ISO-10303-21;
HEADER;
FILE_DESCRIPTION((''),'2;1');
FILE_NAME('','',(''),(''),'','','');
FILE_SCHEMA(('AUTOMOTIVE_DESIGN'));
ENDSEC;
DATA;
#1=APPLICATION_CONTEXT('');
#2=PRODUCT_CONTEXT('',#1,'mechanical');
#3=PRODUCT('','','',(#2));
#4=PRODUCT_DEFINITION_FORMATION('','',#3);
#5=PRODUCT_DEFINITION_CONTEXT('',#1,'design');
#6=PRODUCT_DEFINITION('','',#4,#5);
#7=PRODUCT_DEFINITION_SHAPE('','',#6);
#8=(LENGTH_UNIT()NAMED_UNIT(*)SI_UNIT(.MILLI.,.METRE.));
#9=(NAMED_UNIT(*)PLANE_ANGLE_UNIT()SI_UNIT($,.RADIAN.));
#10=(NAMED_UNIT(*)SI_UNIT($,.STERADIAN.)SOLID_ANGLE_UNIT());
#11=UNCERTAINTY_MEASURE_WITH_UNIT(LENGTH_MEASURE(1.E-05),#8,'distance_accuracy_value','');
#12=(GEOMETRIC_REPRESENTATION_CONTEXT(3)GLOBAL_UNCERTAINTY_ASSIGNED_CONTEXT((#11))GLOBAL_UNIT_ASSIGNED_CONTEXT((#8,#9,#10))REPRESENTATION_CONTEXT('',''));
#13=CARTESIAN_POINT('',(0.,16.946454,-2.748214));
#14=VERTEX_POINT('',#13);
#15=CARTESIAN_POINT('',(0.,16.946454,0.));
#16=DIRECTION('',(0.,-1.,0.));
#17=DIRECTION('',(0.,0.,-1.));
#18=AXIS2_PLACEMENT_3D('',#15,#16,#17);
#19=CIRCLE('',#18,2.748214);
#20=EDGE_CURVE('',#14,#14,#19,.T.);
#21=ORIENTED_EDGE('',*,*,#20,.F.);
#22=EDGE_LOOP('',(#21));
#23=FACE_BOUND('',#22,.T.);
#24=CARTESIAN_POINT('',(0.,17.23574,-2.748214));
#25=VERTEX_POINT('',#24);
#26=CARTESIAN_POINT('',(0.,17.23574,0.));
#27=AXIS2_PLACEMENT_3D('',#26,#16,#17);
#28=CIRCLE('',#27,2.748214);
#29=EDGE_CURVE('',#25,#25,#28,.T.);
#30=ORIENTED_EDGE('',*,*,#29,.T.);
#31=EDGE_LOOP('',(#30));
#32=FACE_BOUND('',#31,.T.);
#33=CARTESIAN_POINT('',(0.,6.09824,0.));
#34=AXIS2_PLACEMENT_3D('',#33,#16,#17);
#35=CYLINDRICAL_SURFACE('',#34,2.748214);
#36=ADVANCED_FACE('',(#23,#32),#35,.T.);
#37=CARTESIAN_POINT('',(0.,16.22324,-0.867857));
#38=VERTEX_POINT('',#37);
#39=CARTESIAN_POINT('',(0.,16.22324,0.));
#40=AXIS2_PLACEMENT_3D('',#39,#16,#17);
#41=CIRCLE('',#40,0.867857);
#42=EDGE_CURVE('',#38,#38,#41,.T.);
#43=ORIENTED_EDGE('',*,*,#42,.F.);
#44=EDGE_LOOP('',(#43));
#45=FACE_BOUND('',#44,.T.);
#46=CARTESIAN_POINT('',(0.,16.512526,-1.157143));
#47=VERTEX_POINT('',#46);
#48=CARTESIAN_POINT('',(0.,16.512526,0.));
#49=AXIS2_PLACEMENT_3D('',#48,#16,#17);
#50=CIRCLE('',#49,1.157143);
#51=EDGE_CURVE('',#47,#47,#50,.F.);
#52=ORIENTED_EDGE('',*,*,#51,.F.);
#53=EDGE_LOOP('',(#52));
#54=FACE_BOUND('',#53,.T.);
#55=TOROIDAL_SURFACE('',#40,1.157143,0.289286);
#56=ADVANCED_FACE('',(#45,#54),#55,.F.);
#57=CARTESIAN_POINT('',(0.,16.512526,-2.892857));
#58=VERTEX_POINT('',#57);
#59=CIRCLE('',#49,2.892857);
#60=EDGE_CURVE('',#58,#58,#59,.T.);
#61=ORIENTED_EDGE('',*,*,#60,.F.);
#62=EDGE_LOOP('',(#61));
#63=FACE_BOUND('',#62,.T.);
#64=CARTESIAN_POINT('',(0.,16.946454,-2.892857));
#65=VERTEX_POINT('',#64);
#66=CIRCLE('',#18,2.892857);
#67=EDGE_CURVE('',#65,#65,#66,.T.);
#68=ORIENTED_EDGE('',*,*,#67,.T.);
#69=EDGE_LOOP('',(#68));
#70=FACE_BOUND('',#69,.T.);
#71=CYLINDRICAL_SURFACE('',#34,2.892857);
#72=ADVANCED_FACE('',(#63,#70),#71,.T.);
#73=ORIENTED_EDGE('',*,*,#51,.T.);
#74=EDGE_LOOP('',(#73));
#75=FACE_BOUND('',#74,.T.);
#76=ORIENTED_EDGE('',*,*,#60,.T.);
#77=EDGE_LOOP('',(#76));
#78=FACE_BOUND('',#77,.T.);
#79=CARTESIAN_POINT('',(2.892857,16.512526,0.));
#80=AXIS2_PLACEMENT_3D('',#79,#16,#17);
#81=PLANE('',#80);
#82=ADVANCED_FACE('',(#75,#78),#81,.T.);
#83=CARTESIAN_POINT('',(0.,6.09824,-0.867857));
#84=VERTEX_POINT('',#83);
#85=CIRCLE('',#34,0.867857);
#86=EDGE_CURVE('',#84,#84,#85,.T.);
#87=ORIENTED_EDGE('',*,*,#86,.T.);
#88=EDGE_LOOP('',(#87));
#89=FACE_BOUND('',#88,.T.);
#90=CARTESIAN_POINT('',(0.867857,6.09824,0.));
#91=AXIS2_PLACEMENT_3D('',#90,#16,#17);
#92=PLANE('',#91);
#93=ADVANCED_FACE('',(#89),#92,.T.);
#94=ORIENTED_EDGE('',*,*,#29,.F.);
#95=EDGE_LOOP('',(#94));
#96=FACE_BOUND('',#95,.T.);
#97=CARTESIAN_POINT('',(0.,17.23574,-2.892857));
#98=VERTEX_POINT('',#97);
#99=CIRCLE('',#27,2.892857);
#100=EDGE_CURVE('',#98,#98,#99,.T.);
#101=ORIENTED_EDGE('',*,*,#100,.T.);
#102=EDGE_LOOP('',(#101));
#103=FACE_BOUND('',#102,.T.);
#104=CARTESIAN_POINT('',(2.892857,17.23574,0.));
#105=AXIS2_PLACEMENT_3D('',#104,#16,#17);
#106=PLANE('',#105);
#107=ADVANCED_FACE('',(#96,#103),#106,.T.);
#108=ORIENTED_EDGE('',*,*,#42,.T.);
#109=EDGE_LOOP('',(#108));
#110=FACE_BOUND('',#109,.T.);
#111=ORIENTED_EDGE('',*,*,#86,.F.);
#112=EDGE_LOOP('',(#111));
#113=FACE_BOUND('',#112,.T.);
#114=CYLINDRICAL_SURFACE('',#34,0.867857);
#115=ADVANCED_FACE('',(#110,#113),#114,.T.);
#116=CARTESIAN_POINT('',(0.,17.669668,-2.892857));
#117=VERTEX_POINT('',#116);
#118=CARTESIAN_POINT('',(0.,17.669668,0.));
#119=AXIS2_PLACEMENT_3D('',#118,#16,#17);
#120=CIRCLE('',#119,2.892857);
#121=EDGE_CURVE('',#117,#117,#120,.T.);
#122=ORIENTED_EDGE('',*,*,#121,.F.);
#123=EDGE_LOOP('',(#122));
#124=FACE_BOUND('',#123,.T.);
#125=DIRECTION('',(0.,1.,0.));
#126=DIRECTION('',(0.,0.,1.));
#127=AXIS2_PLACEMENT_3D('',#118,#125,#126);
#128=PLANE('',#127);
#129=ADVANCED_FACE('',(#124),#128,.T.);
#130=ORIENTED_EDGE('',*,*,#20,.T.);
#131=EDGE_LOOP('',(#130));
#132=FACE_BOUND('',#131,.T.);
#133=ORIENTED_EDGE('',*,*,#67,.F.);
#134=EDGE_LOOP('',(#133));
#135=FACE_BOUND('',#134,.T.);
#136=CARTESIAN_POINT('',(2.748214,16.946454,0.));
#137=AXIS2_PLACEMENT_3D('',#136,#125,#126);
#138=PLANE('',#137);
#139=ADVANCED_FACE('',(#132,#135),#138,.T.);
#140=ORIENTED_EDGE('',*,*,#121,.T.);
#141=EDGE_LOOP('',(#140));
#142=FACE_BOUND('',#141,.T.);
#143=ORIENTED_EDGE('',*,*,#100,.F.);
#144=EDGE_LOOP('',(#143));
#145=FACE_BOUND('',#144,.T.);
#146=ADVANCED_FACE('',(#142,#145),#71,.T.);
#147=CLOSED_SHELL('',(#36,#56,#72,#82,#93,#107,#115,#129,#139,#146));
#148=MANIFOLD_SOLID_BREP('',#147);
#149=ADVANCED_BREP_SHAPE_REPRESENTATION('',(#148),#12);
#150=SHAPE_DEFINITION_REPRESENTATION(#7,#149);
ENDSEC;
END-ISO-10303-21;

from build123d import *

# Parameters (mm, degrees)
CONG_1_R       = 0.5
ECHELLE1_SCALE = 0.578571429


with BuildPart() as part:
    # Esquisse1 → Révolution1 (revolve)
    with BuildSketch(Plane.XY, mode=Mode.PRIVATE) as r_volution1_sk:
        Polygon((0, 20), (5, 20), (5, 19.25), (4.75, 19.25), (4.75, 18.75), (5, 18.75), (5, 18), (1.5, 18), (1.5, 0), (0, 0), align=None)
    revolve(r_volution1_sk.sketch.rotate(Axis((0, 0, 0), (0, 1, 0)), 90), axis=Axis((0, 0, 0), (0, 1, 0)))

    # Congé1
    cong_1_edges = [part.edges().sort_by_distance(p)[0] for p in [
        (0, 18, 1.5),
    ]]
    fillet(cong_1_edges, radius=CONG_1_R)


with BuildPart() as part_1:
    # Echelle1: scaled about (0, 14.470399807, 0)
    add(part.part.scale(ECHELLE1_SCALE).moved(Location((0, 6.098239919, 0))))


solid = part_1.part
